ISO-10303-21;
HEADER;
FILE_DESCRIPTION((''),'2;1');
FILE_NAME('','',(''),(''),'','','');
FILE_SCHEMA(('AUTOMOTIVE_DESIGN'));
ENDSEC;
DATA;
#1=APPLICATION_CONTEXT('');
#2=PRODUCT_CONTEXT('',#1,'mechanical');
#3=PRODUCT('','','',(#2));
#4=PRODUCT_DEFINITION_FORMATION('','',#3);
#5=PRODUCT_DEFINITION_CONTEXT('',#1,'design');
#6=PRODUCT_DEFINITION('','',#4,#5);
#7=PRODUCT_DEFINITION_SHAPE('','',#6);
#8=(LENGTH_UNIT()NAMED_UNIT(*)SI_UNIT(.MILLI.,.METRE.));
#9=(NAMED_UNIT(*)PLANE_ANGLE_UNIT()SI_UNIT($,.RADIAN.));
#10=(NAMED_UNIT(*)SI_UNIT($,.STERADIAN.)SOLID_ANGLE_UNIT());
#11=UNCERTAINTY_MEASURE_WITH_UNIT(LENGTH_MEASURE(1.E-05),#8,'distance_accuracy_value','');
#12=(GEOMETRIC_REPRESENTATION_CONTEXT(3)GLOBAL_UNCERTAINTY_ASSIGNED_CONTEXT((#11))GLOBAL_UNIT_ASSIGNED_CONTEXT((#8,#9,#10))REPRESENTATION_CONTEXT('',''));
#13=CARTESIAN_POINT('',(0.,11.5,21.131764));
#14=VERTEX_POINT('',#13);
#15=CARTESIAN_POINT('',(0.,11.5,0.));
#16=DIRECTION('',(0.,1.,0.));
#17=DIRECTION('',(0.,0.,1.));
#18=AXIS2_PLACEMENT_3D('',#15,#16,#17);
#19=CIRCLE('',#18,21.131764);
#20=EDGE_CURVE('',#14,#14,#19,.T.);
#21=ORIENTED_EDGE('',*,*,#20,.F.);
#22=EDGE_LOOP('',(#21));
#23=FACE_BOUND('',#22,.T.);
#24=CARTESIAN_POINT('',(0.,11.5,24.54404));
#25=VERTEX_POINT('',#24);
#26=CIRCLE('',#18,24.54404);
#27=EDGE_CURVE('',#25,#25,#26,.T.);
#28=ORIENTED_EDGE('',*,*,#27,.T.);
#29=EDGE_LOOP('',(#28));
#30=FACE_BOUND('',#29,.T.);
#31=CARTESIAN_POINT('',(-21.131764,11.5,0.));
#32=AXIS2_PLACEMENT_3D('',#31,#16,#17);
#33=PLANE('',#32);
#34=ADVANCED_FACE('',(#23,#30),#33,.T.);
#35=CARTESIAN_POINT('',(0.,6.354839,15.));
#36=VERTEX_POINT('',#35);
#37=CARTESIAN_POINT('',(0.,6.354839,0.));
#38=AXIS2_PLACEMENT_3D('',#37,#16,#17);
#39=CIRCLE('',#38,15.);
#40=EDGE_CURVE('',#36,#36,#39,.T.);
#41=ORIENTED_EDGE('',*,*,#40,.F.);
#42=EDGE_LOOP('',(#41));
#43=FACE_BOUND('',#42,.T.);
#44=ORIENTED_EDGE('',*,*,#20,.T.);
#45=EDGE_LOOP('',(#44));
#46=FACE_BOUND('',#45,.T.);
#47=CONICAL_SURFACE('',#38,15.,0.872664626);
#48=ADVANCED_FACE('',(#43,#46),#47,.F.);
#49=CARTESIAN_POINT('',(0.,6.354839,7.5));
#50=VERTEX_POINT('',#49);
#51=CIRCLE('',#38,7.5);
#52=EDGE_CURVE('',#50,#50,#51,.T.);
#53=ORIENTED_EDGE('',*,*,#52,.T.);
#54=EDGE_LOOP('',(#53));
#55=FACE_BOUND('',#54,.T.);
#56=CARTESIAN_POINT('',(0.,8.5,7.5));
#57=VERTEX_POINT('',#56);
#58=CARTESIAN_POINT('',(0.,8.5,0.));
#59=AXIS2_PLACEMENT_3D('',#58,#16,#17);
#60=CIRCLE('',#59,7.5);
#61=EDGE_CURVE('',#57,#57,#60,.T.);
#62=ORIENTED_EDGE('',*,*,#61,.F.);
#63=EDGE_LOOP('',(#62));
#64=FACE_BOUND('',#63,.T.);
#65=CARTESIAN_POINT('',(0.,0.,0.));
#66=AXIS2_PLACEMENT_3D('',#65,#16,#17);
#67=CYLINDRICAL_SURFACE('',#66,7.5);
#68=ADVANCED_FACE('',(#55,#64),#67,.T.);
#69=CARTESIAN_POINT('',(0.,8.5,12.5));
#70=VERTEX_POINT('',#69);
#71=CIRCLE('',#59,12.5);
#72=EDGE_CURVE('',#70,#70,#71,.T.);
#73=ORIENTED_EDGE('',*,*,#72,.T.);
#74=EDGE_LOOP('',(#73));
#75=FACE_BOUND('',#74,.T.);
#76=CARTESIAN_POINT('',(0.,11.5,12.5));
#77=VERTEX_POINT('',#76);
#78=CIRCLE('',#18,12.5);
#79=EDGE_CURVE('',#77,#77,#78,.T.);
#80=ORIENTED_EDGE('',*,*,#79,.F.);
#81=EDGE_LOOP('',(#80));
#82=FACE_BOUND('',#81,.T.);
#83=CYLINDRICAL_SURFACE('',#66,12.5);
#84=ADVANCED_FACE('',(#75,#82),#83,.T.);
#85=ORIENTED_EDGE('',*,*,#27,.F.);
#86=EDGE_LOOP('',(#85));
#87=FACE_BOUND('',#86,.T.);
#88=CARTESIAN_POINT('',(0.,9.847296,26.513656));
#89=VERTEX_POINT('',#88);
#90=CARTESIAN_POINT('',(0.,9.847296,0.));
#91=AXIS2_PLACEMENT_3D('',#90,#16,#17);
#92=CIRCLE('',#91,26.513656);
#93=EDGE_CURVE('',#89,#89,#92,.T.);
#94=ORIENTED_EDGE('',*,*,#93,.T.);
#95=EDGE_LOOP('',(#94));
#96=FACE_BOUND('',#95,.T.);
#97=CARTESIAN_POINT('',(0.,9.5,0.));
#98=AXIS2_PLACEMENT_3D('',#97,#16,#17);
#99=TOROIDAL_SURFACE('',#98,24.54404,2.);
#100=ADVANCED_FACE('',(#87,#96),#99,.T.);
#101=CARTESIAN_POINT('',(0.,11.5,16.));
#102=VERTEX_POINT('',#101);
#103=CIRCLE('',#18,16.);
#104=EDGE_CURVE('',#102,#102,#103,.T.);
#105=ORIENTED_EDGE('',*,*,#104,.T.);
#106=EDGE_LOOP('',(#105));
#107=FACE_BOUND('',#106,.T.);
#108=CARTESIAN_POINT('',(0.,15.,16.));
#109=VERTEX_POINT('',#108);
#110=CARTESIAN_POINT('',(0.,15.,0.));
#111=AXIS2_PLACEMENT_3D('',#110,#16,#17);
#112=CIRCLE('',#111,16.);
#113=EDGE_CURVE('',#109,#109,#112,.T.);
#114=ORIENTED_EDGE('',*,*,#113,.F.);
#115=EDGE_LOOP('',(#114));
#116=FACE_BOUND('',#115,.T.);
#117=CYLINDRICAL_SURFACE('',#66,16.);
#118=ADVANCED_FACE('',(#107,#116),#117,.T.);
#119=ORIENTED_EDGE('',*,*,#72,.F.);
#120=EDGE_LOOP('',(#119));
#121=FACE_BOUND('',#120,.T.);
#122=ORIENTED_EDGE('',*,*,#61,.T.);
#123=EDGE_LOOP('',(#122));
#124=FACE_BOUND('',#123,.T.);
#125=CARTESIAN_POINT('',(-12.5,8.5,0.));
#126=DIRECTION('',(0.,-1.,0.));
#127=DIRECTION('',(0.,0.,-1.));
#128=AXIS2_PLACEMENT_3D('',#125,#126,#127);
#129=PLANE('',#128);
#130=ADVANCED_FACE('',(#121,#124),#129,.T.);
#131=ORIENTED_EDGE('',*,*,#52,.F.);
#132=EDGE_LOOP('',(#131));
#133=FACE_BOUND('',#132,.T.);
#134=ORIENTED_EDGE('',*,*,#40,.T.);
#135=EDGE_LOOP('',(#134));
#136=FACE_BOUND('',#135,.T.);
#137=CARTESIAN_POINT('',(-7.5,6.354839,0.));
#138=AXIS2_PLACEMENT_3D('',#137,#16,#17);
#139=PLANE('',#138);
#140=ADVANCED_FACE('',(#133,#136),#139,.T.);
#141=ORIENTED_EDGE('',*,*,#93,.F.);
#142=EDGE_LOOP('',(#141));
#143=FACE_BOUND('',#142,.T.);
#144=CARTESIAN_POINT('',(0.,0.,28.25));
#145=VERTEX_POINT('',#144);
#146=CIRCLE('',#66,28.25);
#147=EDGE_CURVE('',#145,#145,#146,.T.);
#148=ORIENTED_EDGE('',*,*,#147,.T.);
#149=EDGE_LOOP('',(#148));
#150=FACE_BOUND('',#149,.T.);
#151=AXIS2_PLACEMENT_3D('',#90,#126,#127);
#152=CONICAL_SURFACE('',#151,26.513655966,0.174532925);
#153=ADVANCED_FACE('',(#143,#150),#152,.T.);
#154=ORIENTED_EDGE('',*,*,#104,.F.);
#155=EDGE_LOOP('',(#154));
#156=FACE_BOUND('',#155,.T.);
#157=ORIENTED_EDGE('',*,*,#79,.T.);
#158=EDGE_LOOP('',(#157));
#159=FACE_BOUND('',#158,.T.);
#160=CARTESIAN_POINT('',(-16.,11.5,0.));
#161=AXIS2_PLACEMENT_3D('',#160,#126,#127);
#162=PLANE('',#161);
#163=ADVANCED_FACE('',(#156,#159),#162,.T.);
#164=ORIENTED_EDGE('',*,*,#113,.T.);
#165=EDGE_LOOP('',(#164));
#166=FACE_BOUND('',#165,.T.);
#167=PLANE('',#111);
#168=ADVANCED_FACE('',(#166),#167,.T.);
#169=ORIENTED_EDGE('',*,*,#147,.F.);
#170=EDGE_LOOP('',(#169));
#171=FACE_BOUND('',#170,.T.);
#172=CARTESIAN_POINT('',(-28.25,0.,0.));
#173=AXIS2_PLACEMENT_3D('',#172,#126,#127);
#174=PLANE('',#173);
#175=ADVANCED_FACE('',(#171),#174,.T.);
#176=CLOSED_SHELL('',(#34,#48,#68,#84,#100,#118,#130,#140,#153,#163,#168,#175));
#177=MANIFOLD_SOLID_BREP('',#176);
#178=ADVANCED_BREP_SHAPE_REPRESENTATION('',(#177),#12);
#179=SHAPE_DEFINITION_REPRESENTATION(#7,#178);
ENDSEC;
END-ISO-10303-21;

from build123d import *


with BuildPart() as part:
    # Sketch1 → Revolve1 (revolve)
    with BuildSketch(Plane.XY, mode=Mode.PRIVATE) as revolve1_sk:
        with BuildLine():
            Line((0, 0), (0, 15))
            Line((0, 15), (-16, 15))
            Line((-16, 15), (-16, 11.5))
            Line((-16, 11.5), (-12.5, 11.5))
            Line((-12.5, 11.5), (-12.5, 8.5))
            Line((-12.5, 8.5), (-7.5, 8.5))
            Line((-7.5, 8.5), (-7.5, 6.35483871))
            Line((-7.5, 6.35483871), (-15, 6.35483871))
            Line((-15, 6.35483871), (-21.131764452, 11.5))
            Line((-21.131764452, 11.5), (-24.544040459, 11.5))
            ThreePointArc((-24.544040459, 11.5), (-25.829615679, 11.032088886), (-26.513655966, 9.847296355))
            Line((-26.513655966, 9.847296355), (-28.25, 0))
            Line((-28.25, 0), (0, 0))
        make_face()
    revolve(revolve1_sk.sketch.rotate(Axis((0, 0, 0), (0, -1, 0)), 270), axis=Axis((0, 0, 0), (0, -1, 0)))


solid = part.part
